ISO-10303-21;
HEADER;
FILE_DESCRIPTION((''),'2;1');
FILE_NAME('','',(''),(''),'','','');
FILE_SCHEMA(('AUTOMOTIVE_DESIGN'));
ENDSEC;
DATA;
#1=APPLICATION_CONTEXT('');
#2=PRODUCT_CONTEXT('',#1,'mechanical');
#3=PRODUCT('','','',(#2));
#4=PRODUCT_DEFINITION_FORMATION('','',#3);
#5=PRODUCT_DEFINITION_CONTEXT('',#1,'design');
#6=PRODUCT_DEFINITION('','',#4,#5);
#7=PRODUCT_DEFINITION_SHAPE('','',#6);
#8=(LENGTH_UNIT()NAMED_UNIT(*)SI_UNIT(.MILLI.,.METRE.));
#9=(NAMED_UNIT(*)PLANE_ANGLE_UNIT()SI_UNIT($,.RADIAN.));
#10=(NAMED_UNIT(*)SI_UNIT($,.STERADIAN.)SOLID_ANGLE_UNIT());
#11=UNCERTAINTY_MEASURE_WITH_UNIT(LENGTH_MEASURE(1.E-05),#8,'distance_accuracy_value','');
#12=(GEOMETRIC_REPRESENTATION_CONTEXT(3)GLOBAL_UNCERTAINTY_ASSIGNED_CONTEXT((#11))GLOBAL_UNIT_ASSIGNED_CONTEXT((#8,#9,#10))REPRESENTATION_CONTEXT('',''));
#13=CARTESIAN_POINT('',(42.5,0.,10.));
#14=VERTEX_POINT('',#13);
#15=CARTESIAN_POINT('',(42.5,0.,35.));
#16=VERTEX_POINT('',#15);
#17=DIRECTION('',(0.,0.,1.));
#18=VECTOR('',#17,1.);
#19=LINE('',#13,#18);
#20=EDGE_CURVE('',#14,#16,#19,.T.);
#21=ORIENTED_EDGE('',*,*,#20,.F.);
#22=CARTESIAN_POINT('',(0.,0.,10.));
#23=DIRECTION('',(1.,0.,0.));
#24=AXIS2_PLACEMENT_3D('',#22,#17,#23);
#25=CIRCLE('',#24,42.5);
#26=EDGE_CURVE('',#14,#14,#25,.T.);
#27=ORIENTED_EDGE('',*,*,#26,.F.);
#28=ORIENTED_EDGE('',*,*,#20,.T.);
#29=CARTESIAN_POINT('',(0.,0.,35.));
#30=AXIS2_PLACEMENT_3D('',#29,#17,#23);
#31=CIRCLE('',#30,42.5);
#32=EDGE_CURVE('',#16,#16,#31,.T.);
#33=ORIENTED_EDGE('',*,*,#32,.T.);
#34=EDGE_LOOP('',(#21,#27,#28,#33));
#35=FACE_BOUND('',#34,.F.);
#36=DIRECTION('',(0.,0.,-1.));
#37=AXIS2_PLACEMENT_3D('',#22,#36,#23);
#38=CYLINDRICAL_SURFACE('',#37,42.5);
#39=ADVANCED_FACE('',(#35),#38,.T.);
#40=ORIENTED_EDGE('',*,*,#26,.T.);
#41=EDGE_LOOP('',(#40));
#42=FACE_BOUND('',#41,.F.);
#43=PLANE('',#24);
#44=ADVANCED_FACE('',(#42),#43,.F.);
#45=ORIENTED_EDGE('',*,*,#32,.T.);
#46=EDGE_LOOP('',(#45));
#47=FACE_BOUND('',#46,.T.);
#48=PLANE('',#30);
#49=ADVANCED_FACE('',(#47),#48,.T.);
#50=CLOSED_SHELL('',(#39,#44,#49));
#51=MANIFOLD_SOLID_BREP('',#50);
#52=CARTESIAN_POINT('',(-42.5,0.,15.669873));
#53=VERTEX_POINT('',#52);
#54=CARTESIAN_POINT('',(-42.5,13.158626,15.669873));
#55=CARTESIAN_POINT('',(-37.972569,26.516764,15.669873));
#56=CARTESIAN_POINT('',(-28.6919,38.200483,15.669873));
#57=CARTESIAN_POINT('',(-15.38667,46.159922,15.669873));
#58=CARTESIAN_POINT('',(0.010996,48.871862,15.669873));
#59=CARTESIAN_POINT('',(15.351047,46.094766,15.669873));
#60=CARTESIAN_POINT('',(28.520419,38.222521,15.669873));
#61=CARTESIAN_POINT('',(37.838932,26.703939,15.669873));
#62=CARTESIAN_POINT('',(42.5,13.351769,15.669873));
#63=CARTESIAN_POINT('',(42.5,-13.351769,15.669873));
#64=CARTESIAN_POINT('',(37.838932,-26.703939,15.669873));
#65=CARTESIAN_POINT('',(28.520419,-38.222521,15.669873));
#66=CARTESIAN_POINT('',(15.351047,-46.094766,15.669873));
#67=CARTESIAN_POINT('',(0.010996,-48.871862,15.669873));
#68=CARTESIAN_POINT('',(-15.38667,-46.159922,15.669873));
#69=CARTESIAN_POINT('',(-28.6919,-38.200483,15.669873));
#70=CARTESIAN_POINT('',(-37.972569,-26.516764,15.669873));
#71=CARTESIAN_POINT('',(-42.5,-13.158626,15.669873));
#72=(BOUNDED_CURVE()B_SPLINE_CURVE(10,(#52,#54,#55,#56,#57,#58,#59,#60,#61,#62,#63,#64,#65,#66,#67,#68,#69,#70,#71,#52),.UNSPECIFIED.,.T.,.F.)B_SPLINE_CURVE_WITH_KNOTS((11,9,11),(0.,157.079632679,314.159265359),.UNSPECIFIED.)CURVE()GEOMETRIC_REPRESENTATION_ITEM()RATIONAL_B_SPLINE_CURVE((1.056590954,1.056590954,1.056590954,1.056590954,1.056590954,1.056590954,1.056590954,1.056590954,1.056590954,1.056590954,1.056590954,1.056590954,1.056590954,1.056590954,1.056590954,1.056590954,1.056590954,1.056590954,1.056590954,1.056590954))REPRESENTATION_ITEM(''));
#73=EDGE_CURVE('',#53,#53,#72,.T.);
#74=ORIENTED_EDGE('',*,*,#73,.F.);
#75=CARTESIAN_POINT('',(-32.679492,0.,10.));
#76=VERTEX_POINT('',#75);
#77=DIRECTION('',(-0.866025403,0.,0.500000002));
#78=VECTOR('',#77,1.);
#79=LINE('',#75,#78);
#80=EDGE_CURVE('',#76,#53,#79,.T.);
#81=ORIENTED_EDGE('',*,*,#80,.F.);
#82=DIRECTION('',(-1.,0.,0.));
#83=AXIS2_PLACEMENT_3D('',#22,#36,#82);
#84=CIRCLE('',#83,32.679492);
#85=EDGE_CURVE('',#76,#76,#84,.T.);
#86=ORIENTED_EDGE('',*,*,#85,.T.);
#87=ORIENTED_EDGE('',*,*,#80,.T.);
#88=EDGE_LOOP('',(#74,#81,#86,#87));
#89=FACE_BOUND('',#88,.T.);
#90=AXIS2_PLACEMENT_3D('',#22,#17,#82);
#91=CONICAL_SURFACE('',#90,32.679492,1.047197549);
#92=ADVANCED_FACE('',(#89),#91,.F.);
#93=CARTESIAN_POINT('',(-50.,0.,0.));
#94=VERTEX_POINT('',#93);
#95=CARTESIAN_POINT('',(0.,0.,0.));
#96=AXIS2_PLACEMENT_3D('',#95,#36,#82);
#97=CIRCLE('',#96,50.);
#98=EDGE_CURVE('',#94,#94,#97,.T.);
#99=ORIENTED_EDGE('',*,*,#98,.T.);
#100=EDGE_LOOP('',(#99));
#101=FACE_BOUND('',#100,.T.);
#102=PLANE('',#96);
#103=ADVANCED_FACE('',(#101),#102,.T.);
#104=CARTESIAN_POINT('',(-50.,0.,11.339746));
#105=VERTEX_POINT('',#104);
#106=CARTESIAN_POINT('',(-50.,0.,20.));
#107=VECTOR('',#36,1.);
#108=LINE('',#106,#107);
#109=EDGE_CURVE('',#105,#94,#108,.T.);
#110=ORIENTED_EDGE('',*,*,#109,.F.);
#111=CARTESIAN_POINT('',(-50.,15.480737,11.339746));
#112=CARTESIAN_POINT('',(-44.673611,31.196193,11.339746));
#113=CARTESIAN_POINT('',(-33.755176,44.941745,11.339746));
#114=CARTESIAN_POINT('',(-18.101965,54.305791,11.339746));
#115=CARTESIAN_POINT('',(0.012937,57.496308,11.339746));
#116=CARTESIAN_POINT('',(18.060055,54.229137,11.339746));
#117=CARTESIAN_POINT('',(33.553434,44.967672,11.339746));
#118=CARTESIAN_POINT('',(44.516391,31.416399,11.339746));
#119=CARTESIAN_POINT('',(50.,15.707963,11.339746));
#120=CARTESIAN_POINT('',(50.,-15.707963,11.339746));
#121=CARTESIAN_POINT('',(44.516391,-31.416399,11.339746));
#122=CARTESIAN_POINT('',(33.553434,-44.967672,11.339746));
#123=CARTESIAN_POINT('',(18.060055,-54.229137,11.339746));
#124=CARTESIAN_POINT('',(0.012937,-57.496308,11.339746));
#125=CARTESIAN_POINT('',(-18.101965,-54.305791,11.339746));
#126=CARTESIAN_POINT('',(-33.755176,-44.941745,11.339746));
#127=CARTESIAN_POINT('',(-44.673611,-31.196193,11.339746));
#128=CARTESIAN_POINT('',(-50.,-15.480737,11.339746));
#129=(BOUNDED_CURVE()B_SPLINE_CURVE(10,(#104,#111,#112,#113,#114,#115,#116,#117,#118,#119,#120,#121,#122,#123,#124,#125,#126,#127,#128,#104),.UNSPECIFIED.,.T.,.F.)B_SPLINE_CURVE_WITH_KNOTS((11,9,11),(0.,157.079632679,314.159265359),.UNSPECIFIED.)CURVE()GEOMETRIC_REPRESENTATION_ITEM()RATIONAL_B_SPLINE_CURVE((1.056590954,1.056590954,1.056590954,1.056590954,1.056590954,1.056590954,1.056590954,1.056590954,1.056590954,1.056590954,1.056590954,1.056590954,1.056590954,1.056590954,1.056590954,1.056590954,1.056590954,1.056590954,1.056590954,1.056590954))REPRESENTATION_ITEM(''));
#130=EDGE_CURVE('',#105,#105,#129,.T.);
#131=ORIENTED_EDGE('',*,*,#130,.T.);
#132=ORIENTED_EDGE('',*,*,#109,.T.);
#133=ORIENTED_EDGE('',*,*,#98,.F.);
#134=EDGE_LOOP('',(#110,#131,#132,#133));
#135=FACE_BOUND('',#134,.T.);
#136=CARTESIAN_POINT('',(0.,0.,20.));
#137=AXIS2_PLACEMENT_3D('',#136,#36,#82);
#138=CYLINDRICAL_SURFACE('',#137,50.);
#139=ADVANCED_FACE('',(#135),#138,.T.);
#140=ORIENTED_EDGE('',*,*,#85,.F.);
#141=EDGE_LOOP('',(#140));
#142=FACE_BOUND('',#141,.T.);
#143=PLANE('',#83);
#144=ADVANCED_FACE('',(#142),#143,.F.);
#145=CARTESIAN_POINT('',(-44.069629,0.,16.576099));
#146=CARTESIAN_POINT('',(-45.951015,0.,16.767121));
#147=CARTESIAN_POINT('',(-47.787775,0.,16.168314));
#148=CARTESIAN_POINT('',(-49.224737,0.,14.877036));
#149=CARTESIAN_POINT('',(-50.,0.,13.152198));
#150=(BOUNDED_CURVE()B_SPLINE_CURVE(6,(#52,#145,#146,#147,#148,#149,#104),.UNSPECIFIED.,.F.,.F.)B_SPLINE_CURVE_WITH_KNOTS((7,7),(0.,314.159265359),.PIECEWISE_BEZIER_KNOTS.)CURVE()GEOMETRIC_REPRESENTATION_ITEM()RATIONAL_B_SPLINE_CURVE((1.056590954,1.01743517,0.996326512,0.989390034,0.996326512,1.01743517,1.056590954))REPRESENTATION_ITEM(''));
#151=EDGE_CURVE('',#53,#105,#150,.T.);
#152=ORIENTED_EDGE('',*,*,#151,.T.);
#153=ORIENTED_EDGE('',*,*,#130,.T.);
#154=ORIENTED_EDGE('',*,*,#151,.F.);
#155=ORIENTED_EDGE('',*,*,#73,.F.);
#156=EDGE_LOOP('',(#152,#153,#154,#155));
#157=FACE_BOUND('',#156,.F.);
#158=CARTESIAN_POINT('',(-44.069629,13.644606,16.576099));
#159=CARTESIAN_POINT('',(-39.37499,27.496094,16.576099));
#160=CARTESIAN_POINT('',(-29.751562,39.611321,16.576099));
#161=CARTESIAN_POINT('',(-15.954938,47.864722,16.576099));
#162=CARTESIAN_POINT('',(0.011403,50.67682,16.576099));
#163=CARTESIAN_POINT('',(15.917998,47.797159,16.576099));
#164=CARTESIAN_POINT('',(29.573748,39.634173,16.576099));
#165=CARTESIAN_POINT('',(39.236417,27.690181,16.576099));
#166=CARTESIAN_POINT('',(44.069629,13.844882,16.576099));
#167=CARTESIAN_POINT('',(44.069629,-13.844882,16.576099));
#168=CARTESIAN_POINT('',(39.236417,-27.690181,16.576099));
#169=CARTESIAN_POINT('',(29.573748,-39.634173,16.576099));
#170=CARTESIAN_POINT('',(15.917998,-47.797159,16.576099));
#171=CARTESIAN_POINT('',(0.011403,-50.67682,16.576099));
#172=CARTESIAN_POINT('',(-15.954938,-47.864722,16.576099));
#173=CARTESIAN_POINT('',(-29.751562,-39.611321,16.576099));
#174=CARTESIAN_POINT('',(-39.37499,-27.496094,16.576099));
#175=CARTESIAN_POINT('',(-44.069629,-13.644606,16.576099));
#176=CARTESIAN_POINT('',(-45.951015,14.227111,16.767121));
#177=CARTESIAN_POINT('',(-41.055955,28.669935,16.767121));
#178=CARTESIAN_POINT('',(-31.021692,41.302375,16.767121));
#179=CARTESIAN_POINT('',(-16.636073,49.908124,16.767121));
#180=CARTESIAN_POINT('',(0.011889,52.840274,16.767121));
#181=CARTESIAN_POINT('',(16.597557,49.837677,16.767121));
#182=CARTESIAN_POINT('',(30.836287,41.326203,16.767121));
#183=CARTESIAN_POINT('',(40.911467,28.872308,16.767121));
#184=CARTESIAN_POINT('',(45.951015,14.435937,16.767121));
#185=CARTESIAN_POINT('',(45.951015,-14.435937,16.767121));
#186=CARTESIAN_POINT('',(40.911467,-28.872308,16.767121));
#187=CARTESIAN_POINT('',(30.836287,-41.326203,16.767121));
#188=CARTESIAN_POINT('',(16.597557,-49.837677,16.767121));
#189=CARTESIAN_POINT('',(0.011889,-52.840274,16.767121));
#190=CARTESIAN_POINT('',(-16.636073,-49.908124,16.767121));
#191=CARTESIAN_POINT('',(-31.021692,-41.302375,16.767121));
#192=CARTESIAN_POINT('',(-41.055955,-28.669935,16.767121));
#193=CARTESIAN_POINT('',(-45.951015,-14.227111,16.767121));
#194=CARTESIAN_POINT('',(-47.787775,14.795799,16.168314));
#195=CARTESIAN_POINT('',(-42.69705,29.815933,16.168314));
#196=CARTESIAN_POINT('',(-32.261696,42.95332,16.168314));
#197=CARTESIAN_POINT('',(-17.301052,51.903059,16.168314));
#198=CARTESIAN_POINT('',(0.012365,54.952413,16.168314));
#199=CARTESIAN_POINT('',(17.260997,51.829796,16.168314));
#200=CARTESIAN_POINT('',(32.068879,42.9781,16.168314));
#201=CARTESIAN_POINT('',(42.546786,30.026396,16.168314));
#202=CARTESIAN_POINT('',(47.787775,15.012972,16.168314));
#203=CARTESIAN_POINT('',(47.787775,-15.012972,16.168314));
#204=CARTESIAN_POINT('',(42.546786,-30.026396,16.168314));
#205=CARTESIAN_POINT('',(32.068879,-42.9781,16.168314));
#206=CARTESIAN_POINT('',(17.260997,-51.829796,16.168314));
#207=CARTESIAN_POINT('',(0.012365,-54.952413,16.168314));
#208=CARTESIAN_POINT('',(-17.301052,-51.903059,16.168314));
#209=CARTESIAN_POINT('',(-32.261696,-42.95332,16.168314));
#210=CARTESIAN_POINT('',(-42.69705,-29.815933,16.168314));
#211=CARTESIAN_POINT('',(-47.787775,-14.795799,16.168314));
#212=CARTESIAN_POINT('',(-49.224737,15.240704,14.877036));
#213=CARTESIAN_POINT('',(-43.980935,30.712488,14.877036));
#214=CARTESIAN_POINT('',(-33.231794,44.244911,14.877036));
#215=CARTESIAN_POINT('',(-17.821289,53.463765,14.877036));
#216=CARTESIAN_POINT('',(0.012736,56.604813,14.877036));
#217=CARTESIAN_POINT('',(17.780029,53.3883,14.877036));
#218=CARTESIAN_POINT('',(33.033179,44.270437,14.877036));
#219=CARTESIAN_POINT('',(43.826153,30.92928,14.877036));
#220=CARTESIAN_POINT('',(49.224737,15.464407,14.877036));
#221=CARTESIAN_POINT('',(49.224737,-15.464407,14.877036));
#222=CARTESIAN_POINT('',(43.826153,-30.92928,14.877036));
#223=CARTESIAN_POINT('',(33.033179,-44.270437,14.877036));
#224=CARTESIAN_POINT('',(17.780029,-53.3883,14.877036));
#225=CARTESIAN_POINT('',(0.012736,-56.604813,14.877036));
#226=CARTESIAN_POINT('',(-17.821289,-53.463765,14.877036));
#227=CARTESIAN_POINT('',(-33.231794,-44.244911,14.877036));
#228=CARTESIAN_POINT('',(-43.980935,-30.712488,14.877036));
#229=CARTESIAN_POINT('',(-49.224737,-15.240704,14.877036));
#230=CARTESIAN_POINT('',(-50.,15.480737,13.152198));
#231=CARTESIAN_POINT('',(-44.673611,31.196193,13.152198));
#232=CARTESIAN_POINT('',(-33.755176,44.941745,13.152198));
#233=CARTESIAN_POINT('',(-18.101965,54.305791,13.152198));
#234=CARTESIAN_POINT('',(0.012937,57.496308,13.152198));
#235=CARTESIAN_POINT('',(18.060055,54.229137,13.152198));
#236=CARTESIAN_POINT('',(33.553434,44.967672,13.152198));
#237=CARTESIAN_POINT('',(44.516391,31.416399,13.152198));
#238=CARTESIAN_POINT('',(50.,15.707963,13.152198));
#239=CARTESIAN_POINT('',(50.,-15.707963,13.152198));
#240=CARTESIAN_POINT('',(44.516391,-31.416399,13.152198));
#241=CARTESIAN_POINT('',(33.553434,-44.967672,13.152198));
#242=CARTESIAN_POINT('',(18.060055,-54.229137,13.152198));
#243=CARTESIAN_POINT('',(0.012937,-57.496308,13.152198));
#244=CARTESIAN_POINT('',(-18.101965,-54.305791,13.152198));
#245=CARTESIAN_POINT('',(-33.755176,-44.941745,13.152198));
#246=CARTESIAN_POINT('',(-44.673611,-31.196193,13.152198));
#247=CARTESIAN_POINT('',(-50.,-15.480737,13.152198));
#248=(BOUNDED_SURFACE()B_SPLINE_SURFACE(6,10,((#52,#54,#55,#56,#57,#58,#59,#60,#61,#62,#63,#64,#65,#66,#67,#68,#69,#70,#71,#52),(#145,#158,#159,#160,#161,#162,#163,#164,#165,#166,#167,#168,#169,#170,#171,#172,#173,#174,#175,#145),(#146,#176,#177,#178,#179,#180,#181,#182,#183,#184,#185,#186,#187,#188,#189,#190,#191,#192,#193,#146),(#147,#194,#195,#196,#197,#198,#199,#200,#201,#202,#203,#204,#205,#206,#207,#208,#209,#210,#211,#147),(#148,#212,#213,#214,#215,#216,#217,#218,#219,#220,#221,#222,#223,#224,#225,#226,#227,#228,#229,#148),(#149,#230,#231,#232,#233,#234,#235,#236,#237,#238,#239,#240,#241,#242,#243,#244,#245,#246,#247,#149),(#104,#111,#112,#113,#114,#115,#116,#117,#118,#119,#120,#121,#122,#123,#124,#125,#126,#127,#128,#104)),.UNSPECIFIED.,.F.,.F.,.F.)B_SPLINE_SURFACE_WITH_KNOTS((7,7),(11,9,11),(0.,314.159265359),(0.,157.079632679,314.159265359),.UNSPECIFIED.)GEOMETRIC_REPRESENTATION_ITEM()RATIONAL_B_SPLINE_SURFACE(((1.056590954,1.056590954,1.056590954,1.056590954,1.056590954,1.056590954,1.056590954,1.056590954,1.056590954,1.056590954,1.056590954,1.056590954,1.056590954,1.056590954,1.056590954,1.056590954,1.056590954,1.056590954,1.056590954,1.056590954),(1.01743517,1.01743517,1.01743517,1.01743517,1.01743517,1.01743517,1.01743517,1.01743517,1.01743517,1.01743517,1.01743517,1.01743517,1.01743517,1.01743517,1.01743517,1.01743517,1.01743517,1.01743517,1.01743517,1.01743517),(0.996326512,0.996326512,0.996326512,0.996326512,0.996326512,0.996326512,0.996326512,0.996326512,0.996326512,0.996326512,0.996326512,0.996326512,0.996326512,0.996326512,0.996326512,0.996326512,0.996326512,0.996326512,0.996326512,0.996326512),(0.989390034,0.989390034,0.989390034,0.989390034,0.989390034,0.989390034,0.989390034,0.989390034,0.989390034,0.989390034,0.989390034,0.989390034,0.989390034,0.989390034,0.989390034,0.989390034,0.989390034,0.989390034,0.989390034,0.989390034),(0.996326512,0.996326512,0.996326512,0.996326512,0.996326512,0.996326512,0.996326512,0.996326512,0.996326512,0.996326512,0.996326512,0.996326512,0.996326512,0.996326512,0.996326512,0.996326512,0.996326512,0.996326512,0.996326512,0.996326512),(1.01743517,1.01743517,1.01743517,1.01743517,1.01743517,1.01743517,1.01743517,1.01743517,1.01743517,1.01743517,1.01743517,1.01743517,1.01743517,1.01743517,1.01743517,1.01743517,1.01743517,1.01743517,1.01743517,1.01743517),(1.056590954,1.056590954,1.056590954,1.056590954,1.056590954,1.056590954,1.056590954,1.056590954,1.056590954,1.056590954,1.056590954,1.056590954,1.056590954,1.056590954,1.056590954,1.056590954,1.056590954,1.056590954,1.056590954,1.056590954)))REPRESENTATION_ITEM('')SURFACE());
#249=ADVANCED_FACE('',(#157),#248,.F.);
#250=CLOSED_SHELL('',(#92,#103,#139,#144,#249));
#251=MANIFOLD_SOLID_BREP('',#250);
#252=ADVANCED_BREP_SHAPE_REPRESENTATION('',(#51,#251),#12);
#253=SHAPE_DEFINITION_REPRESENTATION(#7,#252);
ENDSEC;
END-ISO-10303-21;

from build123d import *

# Parameters (mm, degrees)
F2_R     = 5
F3_R     = 42.5
F3_R_2   = 32.679492
F4_DEPTH = 25


with BuildPart() as f1:
    # F0 (on Front) → F1 (revolve)
    with BuildSketch(Plane.XZ):
        Polygon((-50, 0), (0, 0), (0, 10), (-32.679492, 10), (-50, 20), align=None)
    revolve(axis=Axis((0, 0, 5), (0, 0, -1)))

    # F2
    f2_edges = [f1.edges().sort_by_distance(p)[0] for p in [
        (50, 0, 20),
    ]]
    fillet(f2_edges, radius=F2_R)


with BuildPart() as f4:
    # F3 (on face) → F4 (new body)
    with BuildSketch(Plane.XY.offset(10)):
        Circle(F3_R)
        Circle(F3_R_2, mode=Mode.SUBTRACT)
        Circle(F3_R_2)
    extrude(amount=F4_DEPTH)


solid = Compound([f1.part, f4.part])
